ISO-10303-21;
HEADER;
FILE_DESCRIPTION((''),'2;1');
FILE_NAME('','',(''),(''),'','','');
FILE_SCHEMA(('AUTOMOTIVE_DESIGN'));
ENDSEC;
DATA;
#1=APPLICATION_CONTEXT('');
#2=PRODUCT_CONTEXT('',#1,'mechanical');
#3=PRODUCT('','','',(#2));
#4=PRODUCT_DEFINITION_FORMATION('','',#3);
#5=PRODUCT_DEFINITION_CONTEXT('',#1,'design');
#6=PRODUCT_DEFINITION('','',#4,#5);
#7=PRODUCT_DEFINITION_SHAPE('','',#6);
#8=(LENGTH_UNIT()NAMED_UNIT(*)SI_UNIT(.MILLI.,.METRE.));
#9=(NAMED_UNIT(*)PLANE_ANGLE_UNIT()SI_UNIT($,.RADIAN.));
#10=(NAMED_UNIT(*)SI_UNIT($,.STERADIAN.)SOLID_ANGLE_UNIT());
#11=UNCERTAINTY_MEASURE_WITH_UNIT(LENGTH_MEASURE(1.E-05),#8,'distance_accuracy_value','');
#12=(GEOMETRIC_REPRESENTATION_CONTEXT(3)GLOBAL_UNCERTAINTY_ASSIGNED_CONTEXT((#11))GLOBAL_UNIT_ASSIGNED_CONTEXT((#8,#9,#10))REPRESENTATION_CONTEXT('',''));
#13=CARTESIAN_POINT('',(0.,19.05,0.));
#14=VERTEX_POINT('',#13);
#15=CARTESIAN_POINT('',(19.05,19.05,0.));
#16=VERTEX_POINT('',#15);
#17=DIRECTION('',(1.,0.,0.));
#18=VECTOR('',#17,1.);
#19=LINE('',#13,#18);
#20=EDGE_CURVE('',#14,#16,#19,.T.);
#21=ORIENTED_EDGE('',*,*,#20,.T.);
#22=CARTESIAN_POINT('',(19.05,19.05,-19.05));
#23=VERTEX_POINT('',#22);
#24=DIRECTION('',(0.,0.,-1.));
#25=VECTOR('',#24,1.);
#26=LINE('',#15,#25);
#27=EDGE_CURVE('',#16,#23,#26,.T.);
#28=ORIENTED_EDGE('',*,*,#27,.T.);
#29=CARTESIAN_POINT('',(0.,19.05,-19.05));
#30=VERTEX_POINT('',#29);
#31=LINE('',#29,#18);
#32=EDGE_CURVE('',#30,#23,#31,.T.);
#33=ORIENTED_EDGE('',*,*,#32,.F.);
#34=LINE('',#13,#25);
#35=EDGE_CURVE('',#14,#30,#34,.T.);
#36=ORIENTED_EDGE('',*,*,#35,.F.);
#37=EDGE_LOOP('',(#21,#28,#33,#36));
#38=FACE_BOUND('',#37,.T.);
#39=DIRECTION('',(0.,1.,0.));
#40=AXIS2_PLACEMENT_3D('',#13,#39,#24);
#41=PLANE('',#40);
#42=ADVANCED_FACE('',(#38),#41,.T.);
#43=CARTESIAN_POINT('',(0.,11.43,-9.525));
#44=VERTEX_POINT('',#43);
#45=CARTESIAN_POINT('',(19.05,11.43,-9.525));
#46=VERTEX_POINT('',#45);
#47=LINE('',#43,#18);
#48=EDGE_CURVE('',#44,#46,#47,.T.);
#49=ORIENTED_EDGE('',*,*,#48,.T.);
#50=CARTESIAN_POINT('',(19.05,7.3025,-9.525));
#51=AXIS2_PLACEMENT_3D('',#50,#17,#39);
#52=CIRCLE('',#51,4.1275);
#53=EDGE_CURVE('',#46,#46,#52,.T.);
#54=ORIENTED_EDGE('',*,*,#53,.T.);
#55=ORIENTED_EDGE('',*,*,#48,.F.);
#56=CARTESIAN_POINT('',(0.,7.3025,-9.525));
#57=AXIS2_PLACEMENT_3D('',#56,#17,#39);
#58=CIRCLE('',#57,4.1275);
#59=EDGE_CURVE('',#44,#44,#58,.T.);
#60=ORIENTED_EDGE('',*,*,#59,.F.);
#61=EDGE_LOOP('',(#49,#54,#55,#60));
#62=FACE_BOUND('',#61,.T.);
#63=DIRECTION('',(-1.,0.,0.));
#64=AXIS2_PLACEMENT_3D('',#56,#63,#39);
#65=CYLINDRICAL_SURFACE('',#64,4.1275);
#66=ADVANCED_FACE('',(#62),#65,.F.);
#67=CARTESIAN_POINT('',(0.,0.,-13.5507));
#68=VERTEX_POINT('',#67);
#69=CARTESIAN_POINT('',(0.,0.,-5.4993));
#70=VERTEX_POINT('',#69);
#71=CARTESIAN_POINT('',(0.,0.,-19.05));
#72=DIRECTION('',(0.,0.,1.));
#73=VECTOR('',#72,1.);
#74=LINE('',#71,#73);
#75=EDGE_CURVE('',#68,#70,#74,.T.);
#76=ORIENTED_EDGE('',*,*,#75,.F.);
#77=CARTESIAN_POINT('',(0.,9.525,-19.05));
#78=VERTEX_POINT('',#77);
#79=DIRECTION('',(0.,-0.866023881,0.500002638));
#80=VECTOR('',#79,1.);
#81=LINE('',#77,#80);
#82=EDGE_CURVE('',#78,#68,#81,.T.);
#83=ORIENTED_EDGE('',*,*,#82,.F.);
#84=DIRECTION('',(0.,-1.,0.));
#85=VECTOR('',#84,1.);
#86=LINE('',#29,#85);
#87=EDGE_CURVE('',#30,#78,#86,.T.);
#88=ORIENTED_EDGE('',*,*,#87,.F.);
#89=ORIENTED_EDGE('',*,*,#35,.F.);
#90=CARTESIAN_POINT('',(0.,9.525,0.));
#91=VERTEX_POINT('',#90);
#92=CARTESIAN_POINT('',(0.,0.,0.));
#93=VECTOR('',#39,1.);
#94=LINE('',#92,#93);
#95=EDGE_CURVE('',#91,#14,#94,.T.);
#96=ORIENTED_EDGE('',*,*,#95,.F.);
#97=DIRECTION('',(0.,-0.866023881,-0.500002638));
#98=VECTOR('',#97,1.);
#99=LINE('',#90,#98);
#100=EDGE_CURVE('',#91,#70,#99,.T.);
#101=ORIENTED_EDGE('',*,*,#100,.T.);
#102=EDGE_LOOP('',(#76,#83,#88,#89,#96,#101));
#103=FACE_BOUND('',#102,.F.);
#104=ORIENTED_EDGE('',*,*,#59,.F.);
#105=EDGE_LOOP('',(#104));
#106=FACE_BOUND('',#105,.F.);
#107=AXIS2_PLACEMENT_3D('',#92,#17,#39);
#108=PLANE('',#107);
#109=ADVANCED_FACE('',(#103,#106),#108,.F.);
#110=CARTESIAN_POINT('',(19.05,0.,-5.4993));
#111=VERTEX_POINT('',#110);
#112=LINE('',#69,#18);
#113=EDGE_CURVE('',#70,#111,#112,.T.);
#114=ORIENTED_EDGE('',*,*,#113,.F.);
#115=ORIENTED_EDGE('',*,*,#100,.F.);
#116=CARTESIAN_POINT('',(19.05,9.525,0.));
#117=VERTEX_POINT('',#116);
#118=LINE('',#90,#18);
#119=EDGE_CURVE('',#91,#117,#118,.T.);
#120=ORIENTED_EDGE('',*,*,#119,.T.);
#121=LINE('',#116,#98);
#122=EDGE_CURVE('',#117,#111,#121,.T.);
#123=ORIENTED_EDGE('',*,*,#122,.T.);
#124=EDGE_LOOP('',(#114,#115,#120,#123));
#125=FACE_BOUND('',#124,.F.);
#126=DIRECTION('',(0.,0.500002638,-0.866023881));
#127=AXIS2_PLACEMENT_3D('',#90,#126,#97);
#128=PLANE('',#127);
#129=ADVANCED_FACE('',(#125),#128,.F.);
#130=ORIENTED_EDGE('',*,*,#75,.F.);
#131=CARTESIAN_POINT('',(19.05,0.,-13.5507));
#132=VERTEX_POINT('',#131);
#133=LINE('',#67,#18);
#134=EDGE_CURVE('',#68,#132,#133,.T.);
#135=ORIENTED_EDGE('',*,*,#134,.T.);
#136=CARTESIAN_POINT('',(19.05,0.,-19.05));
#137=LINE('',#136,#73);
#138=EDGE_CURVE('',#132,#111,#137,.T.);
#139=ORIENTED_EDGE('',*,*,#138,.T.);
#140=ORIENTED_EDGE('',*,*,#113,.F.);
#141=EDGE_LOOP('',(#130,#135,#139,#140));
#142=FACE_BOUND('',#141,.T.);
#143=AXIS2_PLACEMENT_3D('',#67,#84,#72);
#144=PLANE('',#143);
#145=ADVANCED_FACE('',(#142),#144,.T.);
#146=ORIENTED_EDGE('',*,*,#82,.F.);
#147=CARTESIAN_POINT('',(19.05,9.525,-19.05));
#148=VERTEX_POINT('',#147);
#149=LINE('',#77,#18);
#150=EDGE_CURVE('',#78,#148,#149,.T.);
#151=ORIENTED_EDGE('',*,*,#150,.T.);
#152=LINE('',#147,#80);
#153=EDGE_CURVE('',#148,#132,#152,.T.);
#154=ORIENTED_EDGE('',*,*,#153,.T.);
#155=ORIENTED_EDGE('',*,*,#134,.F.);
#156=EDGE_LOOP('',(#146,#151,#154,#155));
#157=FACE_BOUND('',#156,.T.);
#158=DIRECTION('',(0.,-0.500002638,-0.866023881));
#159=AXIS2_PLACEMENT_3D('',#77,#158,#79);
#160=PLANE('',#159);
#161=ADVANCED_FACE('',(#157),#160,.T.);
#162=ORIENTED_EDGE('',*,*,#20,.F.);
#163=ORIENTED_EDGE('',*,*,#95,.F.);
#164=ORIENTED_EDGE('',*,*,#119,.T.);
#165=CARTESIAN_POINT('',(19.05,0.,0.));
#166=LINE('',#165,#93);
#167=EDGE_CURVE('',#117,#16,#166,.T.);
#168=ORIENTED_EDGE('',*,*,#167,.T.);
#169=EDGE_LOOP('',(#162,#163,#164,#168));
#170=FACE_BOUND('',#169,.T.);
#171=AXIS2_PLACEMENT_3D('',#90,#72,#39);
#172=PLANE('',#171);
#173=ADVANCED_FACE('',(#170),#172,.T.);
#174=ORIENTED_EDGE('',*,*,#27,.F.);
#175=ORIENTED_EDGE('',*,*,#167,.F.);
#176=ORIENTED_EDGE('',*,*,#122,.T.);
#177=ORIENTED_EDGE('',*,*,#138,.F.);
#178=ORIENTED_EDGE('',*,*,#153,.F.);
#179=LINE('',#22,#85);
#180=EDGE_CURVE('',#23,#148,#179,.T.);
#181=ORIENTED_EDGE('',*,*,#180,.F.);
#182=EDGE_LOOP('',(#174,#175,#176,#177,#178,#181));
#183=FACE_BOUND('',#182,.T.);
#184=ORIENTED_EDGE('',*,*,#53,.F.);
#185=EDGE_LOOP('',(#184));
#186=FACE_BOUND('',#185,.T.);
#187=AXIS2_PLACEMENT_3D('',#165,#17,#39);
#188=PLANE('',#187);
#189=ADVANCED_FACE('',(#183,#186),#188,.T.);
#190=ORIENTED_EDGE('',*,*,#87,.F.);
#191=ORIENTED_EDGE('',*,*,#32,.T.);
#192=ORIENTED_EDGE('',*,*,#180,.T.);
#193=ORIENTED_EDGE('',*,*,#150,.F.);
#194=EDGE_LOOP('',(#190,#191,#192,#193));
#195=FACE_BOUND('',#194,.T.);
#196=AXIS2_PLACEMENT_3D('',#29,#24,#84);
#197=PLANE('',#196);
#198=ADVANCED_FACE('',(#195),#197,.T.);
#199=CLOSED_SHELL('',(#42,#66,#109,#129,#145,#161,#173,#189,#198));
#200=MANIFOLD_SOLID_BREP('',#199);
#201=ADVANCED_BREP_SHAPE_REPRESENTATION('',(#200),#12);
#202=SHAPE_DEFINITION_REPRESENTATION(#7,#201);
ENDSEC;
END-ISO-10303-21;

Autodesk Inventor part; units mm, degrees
ref_plane "YZ Plane" through (0, 0, 0) normal (1, 0, 0) x (0, 1, 0)
ref_plane "XZ Plane" through (0, 0, 0) normal (0, 1, 0) x (-1, 0, 0)
ref_plane "XY Plane" through (0, 0, 0) normal (0, 0, 1) x (1, 0, 0)
sketch "Sketch1" plane through (0, 0, 0) normal (1, 0, 0) x (0, 1, 0)
  line L0 (0, 0) -> (19.05, 0)
  line L1 (19.05, 0) -> (19.05, -19.05)
  line L2 (19.05, -19.05) -> (0, -19.05)
  line L3 (0, -19.05) -> (0, 0)
  circle A0 centre (7.3025, -9.525) radius 4.1275
  line L4 (0, -9.525) -> (7.3025, -9.525) construction
  line L5 (9.525, 0) -> (0, -5.4993)
  line L6 (9.525, -19.05) -> (0, -13.5507)
  dimension "d0" = 19.05
  dimension "d1" = 19.05
  dimension "d2" = 8.255
  dimension "d3" = 3.175
  dimension "d4" = 30
extrude "Extrusion1" add sketch "Sketch1" along normal blind 19.05 contours L0 L1 L2 L6 L3 L5
properties part number "Linear Stage"
